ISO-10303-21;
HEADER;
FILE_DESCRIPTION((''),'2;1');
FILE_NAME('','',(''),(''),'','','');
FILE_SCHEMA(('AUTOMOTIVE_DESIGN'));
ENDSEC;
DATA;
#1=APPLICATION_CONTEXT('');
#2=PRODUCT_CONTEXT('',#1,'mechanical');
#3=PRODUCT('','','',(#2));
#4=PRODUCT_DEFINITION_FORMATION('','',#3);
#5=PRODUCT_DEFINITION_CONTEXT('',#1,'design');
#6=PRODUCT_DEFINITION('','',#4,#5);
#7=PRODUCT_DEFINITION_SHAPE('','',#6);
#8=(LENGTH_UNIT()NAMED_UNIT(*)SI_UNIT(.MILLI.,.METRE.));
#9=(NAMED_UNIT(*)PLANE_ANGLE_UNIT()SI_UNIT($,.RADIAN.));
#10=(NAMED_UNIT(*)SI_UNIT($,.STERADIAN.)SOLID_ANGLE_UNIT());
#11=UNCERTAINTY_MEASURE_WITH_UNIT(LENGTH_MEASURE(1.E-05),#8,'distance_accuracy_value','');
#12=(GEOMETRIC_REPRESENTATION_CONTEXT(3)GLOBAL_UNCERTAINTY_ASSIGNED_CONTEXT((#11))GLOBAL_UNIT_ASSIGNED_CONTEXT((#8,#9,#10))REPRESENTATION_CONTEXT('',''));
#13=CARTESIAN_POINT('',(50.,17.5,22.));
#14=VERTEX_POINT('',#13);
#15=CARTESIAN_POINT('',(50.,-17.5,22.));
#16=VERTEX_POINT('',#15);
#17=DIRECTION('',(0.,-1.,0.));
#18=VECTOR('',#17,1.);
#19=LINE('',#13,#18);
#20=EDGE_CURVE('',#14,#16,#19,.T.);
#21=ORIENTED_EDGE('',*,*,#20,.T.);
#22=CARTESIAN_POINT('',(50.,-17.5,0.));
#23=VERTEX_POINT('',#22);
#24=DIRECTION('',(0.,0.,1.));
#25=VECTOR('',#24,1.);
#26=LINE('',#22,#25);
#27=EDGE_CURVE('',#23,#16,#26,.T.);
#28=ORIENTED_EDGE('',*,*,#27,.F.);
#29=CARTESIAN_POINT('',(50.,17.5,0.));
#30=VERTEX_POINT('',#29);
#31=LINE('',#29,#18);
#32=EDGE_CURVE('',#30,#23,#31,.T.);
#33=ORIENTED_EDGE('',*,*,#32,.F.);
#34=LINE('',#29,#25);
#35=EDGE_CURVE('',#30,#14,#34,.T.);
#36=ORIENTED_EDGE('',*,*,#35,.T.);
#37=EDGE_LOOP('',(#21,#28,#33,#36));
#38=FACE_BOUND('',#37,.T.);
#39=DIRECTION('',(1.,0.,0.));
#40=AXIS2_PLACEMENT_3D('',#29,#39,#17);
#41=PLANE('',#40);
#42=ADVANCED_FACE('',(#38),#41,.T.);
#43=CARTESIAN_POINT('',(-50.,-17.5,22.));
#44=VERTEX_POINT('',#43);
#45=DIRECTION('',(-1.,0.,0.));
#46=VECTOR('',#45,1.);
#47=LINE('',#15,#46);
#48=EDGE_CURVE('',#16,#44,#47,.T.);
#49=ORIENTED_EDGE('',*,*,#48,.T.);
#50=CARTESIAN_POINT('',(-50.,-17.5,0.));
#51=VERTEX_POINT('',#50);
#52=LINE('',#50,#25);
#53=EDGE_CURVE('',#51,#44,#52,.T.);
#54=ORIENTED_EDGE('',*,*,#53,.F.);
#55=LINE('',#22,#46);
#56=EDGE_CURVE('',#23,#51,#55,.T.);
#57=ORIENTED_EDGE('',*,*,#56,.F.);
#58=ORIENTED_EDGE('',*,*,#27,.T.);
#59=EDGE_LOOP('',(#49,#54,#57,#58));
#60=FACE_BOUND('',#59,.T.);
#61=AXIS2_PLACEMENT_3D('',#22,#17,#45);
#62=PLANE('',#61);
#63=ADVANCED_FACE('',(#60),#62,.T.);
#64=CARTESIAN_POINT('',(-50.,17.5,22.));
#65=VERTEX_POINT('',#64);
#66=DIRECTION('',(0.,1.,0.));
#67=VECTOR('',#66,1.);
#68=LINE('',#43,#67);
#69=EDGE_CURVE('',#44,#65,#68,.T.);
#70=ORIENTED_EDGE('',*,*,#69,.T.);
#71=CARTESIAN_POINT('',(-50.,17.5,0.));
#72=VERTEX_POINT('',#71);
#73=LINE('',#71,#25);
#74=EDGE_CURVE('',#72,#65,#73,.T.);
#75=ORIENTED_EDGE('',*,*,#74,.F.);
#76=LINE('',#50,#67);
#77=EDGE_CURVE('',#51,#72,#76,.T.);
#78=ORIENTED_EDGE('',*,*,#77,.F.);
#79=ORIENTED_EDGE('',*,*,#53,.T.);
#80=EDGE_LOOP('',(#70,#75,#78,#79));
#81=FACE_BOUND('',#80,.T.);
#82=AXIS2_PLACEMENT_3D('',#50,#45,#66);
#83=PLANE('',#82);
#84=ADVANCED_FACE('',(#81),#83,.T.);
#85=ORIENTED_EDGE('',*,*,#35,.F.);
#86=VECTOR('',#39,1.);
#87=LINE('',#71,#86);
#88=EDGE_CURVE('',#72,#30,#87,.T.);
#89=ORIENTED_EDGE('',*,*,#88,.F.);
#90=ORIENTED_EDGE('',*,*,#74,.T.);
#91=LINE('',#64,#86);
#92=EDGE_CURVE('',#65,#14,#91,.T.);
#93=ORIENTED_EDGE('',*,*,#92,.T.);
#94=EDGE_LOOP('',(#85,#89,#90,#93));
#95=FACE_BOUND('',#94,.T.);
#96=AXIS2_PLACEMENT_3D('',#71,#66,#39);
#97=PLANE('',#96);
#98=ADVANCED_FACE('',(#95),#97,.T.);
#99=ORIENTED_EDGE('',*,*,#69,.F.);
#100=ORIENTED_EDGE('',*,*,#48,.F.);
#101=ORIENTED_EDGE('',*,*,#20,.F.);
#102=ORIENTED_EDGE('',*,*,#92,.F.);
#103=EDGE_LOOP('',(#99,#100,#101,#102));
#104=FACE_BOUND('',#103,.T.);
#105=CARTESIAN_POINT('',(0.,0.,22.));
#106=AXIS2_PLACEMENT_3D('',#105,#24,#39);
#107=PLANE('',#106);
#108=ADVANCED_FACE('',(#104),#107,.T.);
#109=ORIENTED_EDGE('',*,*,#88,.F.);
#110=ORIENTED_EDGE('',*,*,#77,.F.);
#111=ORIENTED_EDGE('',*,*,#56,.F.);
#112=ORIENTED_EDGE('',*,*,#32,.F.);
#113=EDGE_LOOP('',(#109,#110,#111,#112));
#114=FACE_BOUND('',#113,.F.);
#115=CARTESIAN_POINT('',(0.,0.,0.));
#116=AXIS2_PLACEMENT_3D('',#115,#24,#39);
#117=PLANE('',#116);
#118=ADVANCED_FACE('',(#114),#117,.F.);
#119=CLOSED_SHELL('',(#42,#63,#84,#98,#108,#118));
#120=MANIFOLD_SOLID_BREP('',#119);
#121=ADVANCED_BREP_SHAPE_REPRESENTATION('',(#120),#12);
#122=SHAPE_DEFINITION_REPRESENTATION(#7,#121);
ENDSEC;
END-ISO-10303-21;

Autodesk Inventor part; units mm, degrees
ref_plane "YZ Plane" through (0, 0, 0) normal (1, 0, 0) x (0, 1, 0)
ref_plane "XZ Plane" through (0, 0, 0) normal (0, 1, 0) x (-1, 0, 0)
ref_plane "XY Plane" through (0, 0, 0) normal (0, 0, 1) x (1, 0, 0)
sketch "スケッチ1" plane through (0, 0, 0) normal (0, 0, 1) x (1, 0, 0)
  line L0 (-50, 17.5) -> (50, 17.5)
  line L1 (50, 17.5) -> (50, -17.5)
  line L2 (50, -17.5) -> (-50, -17.5)
  line L3 (-50, -17.5) -> (-50, 17.5)
  line L4 (-50, 17.5) -> (50, -17.5) construction
  line L5 (50, 17.5) -> (-50, -17.5) construction
  point P0 (0, 0)
  dimension "d0" = 100
  dimension "d1" = 35
extrude "押し出し1" add sketch "スケッチ1" along normal blind 22
properties part number "Battery" material "コンクリート"
